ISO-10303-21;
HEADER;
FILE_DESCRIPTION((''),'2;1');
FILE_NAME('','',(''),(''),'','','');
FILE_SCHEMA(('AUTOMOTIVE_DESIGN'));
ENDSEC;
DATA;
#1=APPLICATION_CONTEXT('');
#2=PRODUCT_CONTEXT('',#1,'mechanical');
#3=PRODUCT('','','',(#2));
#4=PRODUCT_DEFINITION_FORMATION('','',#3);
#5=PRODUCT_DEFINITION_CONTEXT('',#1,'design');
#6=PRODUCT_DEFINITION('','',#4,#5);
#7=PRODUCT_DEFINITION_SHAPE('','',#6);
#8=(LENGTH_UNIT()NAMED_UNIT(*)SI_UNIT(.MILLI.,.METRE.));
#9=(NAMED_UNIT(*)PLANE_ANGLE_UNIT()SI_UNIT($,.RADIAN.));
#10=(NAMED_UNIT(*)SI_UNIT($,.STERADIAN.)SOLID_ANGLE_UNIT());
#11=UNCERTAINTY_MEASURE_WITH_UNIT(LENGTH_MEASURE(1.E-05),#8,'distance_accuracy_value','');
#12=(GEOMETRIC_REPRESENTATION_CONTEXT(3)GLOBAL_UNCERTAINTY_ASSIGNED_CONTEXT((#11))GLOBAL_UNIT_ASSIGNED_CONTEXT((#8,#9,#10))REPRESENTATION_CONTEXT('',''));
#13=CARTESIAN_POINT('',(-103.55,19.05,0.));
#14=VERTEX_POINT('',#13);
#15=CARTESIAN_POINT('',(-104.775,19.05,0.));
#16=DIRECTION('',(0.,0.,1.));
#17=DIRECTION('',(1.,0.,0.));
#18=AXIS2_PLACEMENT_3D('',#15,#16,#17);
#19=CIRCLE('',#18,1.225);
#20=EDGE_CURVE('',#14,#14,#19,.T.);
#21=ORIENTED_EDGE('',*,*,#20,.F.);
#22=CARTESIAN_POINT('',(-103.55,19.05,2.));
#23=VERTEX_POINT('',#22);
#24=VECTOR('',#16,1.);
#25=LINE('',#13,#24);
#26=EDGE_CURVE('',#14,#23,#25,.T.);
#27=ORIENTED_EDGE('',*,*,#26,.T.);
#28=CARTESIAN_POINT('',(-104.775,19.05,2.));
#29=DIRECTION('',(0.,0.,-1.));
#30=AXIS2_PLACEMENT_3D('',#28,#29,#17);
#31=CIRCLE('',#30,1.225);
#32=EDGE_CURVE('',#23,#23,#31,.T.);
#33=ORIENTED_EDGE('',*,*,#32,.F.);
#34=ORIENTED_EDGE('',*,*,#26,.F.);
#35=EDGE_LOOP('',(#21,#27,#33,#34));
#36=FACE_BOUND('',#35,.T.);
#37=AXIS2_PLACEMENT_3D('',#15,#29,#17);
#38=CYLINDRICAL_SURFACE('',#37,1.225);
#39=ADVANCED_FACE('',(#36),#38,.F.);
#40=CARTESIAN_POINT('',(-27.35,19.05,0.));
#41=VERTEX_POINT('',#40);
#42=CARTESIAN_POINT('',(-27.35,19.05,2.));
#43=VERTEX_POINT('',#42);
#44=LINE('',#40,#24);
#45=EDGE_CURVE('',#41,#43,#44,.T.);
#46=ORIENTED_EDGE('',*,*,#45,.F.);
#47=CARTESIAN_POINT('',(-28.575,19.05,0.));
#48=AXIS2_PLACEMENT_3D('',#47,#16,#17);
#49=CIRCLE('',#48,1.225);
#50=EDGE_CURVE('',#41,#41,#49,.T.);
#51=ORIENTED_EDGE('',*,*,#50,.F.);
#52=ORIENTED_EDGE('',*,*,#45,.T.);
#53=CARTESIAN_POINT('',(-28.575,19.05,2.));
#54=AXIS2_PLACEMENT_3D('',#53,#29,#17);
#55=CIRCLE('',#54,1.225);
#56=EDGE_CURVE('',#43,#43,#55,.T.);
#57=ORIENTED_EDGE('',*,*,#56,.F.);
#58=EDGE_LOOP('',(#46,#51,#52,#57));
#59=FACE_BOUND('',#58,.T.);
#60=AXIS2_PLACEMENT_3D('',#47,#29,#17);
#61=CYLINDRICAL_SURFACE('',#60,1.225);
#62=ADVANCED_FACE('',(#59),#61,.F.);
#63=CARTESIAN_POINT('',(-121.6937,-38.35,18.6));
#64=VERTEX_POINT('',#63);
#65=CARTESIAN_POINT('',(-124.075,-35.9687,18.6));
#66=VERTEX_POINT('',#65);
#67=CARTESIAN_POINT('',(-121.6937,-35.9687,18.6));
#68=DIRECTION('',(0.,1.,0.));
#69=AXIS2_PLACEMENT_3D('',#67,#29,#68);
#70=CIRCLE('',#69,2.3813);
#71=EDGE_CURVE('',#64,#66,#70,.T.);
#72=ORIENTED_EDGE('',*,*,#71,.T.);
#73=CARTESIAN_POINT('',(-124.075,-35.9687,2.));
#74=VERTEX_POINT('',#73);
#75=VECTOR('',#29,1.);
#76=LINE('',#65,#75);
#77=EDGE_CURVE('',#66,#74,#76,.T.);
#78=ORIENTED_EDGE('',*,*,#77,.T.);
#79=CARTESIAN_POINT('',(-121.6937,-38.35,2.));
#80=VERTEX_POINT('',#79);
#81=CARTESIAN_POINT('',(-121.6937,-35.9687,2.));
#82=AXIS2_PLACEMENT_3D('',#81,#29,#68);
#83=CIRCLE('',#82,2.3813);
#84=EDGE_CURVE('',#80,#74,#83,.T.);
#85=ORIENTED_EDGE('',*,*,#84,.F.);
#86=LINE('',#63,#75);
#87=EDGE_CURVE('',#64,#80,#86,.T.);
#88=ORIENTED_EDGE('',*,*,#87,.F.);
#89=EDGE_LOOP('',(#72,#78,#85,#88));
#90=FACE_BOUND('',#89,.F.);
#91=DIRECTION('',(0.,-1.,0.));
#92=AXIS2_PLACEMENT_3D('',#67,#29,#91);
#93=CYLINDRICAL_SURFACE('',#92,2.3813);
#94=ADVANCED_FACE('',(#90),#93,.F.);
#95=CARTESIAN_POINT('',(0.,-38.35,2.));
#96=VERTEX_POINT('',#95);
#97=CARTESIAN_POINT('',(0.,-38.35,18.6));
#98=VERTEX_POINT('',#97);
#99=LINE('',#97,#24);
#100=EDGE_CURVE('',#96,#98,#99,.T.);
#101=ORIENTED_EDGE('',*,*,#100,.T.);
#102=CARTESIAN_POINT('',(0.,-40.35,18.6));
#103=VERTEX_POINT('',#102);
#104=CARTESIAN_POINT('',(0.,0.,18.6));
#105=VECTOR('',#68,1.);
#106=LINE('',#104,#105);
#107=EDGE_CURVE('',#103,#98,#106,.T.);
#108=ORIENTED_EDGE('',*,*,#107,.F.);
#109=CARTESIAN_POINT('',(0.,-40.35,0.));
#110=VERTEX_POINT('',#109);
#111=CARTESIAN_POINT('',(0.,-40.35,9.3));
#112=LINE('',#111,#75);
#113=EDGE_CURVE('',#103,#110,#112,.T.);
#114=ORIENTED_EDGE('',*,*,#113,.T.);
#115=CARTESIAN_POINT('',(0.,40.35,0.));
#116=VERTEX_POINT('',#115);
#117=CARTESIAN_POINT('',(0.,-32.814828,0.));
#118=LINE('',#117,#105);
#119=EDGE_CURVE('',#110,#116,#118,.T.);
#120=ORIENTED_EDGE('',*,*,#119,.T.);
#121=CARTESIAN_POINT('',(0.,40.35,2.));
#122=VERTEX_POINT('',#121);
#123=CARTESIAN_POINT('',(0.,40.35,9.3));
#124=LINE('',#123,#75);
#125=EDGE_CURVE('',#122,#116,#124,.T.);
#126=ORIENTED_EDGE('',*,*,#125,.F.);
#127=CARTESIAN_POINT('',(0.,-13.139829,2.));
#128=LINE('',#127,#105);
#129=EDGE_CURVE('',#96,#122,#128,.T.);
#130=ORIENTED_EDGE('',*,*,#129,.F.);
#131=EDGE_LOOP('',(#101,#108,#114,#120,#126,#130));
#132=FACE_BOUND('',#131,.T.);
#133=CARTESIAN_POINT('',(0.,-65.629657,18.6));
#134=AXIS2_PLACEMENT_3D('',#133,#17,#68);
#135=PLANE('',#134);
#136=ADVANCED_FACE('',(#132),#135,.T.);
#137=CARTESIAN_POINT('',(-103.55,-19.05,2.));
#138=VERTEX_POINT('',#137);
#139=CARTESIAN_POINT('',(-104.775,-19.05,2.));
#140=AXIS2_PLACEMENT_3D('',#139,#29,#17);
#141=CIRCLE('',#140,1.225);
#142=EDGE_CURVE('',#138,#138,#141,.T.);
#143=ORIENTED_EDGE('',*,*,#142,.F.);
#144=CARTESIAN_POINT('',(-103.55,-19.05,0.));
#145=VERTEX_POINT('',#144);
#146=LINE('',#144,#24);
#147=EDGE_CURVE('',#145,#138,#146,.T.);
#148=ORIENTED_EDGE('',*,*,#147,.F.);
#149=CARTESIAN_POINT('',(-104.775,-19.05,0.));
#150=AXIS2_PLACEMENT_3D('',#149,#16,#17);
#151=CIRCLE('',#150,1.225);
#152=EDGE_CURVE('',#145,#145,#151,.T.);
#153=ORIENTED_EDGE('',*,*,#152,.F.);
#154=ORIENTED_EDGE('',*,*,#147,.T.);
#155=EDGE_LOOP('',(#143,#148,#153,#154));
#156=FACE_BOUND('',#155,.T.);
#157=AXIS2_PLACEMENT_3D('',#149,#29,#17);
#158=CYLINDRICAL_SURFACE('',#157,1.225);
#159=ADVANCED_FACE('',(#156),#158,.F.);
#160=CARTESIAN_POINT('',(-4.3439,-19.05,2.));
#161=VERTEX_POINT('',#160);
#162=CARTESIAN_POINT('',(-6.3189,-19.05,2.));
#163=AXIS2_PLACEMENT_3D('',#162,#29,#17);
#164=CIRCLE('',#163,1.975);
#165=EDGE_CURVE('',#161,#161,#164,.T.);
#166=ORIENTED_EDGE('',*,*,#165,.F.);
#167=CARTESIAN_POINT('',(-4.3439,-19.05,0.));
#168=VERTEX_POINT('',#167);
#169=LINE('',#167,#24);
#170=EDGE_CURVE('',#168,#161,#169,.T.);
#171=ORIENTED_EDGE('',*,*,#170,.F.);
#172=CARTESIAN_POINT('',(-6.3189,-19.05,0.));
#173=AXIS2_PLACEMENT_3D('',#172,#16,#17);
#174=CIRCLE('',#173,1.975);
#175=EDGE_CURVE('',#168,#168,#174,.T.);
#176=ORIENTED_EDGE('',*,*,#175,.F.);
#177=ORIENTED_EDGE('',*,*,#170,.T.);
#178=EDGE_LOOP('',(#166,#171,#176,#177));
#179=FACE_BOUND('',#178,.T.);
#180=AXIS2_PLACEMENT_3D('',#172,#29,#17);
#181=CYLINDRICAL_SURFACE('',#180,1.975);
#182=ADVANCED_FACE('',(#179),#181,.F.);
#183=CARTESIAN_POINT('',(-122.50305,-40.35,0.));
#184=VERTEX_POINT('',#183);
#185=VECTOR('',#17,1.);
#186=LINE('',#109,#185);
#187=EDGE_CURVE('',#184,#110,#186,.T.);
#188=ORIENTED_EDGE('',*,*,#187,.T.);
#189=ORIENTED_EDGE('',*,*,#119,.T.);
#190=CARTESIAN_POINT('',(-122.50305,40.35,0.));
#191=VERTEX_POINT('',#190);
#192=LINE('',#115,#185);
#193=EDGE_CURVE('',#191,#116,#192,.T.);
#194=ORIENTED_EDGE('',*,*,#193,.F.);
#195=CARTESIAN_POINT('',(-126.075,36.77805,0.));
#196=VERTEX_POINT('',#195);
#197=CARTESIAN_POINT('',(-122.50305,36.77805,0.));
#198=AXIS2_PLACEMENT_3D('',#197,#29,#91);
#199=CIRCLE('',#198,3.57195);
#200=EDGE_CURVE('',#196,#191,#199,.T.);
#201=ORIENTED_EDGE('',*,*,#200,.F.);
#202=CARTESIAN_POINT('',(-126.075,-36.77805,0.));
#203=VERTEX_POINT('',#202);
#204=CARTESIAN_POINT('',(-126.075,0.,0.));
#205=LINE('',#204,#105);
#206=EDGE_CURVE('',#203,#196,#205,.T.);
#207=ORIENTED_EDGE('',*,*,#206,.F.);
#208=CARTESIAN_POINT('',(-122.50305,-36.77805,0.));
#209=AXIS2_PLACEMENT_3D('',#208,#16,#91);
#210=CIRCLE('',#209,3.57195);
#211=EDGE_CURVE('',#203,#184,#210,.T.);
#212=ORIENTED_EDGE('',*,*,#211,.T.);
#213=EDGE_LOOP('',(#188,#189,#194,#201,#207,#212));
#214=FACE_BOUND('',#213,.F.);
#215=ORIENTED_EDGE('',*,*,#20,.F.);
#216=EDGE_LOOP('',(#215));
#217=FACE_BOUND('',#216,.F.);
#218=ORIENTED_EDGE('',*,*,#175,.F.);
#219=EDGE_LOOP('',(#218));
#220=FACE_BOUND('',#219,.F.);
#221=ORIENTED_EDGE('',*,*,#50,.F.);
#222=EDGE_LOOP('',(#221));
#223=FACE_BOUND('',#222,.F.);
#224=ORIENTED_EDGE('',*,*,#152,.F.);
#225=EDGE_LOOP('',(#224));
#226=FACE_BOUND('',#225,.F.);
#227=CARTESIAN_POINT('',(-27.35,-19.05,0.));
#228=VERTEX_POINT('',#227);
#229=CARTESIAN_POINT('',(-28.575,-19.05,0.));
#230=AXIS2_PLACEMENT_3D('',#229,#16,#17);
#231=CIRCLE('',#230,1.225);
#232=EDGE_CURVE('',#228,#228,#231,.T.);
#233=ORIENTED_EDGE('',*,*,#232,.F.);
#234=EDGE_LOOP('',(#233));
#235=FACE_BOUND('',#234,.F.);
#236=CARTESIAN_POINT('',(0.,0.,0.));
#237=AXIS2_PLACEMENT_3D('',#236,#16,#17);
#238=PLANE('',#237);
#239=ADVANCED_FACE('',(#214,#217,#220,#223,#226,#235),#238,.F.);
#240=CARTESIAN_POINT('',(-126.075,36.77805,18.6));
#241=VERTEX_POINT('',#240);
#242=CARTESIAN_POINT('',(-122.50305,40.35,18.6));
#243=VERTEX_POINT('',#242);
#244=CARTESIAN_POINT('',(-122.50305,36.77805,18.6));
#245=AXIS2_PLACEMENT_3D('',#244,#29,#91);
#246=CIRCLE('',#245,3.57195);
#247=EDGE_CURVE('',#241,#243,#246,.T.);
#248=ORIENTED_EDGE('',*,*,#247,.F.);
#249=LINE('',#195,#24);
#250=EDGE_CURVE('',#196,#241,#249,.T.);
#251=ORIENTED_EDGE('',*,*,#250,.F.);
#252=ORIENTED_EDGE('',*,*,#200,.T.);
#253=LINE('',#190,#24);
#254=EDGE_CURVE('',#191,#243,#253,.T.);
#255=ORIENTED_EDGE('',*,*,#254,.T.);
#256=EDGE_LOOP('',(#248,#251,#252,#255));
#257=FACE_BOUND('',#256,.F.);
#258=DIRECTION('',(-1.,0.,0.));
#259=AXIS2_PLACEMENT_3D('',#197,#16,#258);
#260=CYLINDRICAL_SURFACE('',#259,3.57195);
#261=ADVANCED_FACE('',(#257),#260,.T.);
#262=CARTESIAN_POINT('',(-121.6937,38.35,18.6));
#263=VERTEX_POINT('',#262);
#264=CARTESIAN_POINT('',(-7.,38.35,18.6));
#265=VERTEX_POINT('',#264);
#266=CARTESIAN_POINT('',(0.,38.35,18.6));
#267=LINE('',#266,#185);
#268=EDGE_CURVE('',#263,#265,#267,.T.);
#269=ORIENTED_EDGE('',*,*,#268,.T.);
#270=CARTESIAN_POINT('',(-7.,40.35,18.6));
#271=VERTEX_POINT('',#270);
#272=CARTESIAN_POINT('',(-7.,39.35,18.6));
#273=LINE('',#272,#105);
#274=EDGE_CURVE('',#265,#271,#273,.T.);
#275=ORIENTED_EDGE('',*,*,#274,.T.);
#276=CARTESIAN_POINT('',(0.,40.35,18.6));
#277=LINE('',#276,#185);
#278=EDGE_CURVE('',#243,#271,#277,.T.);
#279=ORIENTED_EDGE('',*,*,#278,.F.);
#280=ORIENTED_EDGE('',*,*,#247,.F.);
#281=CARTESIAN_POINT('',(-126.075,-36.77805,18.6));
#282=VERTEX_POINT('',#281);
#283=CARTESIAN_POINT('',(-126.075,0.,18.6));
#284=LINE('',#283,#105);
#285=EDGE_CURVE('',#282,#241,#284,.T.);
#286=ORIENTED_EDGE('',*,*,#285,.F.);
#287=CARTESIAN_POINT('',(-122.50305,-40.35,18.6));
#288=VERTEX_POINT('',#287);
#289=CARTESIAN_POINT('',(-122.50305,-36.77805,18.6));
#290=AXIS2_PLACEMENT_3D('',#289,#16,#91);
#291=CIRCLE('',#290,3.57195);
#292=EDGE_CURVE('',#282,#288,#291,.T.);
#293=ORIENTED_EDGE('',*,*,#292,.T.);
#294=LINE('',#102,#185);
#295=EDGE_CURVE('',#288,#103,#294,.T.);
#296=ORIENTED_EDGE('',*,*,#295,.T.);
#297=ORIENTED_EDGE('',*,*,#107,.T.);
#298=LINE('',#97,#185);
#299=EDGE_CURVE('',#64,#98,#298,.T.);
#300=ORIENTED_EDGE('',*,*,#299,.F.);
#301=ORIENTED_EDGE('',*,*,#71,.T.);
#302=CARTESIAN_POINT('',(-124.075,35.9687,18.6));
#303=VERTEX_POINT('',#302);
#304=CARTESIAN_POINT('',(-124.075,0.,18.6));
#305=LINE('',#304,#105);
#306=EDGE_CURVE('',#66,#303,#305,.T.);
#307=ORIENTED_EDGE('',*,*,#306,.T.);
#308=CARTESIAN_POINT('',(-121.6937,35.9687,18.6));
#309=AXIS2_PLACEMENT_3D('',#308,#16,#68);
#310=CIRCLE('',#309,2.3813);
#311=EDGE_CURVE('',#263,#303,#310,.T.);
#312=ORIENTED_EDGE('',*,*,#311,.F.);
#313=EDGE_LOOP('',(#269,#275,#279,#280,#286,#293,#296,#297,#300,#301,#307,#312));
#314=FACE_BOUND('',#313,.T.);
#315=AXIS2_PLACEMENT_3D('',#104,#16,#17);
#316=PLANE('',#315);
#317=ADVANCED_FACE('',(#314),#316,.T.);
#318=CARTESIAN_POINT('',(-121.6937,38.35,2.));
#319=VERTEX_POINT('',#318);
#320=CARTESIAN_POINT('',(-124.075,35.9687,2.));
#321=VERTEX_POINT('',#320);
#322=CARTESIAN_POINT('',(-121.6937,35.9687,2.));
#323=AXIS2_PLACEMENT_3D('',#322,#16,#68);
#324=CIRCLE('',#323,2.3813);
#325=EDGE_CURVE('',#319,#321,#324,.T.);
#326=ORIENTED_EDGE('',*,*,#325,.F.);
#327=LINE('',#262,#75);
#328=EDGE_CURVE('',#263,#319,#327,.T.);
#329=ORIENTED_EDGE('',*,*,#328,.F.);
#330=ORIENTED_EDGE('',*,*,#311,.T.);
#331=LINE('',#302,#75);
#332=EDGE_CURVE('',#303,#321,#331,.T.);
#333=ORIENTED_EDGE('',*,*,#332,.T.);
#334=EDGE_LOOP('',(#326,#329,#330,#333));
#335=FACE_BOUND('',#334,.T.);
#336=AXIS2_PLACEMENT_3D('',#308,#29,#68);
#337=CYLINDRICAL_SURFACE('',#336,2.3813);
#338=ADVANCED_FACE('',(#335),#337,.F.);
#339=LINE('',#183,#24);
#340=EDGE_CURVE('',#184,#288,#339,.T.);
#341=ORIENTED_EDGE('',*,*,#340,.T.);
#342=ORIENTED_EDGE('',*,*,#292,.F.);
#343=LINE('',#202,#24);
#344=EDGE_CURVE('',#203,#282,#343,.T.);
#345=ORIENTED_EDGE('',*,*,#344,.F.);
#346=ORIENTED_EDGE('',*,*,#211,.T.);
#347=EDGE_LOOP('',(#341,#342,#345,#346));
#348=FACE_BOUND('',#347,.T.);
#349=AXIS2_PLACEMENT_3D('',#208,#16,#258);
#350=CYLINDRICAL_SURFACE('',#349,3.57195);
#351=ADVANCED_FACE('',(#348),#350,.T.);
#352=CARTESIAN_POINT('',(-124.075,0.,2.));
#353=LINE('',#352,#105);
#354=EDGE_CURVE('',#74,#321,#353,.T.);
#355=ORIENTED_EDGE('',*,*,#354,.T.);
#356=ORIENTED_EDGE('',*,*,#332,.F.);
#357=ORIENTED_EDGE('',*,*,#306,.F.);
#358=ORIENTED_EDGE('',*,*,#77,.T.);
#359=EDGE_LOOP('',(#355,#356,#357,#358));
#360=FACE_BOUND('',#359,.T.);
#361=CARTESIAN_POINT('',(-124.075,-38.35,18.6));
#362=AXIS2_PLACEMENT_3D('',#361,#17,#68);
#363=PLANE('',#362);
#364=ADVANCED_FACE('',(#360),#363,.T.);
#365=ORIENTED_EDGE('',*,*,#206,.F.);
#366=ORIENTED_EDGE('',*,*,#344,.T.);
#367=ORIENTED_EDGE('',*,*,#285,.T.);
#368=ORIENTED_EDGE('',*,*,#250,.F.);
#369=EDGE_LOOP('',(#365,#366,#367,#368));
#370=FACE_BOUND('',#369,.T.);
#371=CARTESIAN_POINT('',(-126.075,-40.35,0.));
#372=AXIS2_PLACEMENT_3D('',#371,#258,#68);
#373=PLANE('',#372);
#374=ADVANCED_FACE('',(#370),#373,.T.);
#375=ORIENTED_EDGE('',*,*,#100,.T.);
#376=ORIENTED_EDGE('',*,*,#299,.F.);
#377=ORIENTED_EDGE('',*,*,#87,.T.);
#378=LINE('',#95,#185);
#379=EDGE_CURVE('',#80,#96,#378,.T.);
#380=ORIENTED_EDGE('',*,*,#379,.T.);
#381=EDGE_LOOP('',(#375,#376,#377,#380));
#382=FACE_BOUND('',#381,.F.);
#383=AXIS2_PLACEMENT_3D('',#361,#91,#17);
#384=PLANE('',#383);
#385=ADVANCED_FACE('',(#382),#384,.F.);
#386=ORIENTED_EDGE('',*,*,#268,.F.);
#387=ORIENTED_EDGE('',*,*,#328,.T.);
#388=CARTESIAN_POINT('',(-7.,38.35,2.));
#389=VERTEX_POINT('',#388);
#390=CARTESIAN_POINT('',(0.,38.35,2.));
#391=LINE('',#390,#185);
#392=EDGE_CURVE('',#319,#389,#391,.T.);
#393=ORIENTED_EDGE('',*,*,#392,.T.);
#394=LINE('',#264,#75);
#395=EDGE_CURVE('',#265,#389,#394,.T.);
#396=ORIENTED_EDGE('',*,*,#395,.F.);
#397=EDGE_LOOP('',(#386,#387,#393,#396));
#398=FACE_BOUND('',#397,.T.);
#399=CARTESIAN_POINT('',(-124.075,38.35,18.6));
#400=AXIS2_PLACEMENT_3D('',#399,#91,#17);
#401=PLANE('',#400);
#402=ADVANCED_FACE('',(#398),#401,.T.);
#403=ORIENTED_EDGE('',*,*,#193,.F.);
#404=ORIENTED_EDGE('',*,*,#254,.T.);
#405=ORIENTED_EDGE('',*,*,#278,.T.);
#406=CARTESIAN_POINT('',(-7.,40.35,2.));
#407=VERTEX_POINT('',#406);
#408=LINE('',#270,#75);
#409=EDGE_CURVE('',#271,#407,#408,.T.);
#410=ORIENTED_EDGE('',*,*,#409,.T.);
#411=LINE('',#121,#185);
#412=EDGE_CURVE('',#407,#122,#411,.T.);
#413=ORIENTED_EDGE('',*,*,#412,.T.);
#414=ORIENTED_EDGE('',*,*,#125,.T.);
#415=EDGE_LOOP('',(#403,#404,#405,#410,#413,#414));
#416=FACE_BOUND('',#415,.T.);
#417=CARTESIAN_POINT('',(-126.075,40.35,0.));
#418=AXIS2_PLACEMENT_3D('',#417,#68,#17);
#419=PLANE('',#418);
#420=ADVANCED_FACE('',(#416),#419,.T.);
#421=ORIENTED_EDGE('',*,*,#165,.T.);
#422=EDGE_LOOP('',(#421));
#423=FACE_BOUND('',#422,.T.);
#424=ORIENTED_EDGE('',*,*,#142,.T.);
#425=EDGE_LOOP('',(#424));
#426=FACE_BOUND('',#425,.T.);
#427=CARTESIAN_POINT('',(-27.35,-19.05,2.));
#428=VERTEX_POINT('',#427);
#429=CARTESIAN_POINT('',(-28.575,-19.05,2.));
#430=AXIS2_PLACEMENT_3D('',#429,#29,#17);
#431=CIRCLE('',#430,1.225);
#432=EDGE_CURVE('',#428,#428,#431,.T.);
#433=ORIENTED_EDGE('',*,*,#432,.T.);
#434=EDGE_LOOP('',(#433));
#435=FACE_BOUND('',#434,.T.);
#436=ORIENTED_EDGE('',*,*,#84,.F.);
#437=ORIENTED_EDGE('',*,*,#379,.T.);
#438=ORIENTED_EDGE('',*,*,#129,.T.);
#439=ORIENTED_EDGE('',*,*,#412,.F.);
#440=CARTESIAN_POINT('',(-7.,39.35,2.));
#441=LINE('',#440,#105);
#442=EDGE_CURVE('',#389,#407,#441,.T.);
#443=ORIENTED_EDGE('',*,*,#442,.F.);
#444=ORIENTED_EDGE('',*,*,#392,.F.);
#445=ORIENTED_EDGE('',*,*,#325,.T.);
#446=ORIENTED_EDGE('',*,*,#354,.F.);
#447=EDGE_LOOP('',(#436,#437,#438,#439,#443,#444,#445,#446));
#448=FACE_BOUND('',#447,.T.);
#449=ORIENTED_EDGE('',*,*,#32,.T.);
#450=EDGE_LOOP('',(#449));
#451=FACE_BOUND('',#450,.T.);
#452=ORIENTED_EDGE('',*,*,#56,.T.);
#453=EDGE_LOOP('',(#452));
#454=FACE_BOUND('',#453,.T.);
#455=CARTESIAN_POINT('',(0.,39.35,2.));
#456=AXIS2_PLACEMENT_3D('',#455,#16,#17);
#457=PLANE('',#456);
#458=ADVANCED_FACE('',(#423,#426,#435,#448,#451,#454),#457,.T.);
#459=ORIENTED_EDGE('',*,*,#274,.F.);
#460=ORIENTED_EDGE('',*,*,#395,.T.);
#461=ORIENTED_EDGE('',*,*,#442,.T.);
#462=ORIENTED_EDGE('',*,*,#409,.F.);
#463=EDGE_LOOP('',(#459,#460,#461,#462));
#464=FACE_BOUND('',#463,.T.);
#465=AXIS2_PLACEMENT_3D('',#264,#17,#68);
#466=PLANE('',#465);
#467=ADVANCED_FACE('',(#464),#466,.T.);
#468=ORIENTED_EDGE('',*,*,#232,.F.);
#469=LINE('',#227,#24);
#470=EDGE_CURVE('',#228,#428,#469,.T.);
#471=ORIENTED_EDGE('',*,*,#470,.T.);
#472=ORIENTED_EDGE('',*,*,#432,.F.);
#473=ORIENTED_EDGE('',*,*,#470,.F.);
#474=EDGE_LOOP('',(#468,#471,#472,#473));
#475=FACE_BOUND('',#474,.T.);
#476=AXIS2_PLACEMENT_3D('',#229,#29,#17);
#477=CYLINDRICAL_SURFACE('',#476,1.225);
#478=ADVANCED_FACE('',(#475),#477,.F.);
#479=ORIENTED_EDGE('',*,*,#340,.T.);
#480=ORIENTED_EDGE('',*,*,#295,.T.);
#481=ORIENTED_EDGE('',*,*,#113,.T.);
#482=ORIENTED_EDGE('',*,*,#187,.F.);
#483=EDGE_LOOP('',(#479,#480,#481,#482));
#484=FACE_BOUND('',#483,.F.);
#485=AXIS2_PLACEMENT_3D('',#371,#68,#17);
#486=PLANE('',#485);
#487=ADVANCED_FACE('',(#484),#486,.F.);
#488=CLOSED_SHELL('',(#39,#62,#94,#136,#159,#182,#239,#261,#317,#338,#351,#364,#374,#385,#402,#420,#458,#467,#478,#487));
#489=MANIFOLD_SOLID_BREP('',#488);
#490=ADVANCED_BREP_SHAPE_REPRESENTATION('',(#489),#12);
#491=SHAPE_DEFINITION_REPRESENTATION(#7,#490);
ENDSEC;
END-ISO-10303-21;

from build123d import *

# Parameters (mm, degrees)
SKETCH_W        = 252.15
SKETCH_H        = 80.7
SKETCH_R        = 1.225
SKETCH_R_2      = 1.975
PAD_DEPTH       = 18.6
SKETCH001_W     = 248.15
SKETCH001_H     = 76.7
POCKET_DEPTH    = 16.6
FILLET_R        = 2.3813
FILLET001_R     = 3.57195
SKETCH002_W     = 14
SKETCH002_H     = 2
POCKET001_DEPTH = 16.6
SKETCH003_W     = 131.259314
SKETCH003_H     = 131.259314
POCKET002_DEPTH = 20


with BuildPart() as part:
    # Sketch → Pad (new body)
    with BuildSketch(Plane.XY):
        Rectangle(SKETCH_W, SKETCH_H)
        with Locations((-104.775, 19.05)):
            Circle(SKETCH_R, mode=Mode.SUBTRACT)
        with Locations((-28.575, 19.05)):
            Circle(SKETCH_R, mode=Mode.SUBTRACT)
        with Locations((-6.3189, -19.05)):
            Circle(SKETCH_R_2, mode=Mode.SUBTRACT)
        with Locations((-104.775, -19.05)):
            Circle(SKETCH_R, mode=Mode.SUBTRACT)
        with Locations((-28.575, -19.05)):
            Circle(SKETCH_R, mode=Mode.SUBTRACT)
        with Locations((6.3189, -19.05)):
            Circle(SKETCH_R_2, mode=Mode.SUBTRACT)
        with Locations((28.575, -19.05)):
            Circle(SKETCH_R, mode=Mode.SUBTRACT)
        with Locations((28.575, 19.05)):
            Circle(SKETCH_R, mode=Mode.SUBTRACT)
        with Locations((104.775, 19.05)):
            Circle(SKETCH_R, mode=Mode.SUBTRACT)
        with Locations((104.775, -19.05)):
            Circle(SKETCH_R, mode=Mode.SUBTRACT)
    extrude(amount=PAD_DEPTH)

    # Sketch001 (on Face16 of Pad) → Pocket (cut)
    with BuildSketch(Plane.XY.offset(18.6)):
        Rectangle(SKETCH001_W, SKETCH001_H)
    extrude(amount=-POCKET_DEPTH, mode=Mode.SUBTRACT)

    # Fillet
    fillet_edges = [part.edges().sort_by_distance(p)[0] for p in [
        (-124.075, 38.35, 10.3),
        (-124.075, -38.35, 10.3),
        (124.075, 38.35, 10.3),
        (124.075, -38.35, 10.3),
    ]]
    fillet(fillet_edges, radius=FILLET_R)

    # Fillet001
    fillet001_edges = [part.edges().sort_by_distance(p)[0] for p in [
        (-126.075, 40.35, 9.3),
        (-126.075, -40.35, 9.3),
        (126.075, -40.35, 9.3),
        (126.075, 40.35, 9.3),
    ]]
    fillet(fillet001_edges, radius=FILLET001_R)

    # Sketch002 (on Face1 of Fillet001) → Pocket001 (cut)
    with BuildSketch(Plane.XY.offset(18.6)):
        with Locations((0, 39.35)):
            Rectangle(SKETCH002_W, SKETCH002_H)
    extrude(amount=-POCKET001_DEPTH, mode=Mode.SUBTRACT)

    # Sketch003 (on Face1 of Pocket001) → Pocket002 (cut)
    with BuildSketch(Plane.XY.offset(18.6)):
        with Locations((65.629657, 0)):
            Rectangle(SKETCH003_W, SKETCH003_H)
    extrude(amount=-POCKET002_DEPTH, mode=Mode.SUBTRACT)


solid = part.part
